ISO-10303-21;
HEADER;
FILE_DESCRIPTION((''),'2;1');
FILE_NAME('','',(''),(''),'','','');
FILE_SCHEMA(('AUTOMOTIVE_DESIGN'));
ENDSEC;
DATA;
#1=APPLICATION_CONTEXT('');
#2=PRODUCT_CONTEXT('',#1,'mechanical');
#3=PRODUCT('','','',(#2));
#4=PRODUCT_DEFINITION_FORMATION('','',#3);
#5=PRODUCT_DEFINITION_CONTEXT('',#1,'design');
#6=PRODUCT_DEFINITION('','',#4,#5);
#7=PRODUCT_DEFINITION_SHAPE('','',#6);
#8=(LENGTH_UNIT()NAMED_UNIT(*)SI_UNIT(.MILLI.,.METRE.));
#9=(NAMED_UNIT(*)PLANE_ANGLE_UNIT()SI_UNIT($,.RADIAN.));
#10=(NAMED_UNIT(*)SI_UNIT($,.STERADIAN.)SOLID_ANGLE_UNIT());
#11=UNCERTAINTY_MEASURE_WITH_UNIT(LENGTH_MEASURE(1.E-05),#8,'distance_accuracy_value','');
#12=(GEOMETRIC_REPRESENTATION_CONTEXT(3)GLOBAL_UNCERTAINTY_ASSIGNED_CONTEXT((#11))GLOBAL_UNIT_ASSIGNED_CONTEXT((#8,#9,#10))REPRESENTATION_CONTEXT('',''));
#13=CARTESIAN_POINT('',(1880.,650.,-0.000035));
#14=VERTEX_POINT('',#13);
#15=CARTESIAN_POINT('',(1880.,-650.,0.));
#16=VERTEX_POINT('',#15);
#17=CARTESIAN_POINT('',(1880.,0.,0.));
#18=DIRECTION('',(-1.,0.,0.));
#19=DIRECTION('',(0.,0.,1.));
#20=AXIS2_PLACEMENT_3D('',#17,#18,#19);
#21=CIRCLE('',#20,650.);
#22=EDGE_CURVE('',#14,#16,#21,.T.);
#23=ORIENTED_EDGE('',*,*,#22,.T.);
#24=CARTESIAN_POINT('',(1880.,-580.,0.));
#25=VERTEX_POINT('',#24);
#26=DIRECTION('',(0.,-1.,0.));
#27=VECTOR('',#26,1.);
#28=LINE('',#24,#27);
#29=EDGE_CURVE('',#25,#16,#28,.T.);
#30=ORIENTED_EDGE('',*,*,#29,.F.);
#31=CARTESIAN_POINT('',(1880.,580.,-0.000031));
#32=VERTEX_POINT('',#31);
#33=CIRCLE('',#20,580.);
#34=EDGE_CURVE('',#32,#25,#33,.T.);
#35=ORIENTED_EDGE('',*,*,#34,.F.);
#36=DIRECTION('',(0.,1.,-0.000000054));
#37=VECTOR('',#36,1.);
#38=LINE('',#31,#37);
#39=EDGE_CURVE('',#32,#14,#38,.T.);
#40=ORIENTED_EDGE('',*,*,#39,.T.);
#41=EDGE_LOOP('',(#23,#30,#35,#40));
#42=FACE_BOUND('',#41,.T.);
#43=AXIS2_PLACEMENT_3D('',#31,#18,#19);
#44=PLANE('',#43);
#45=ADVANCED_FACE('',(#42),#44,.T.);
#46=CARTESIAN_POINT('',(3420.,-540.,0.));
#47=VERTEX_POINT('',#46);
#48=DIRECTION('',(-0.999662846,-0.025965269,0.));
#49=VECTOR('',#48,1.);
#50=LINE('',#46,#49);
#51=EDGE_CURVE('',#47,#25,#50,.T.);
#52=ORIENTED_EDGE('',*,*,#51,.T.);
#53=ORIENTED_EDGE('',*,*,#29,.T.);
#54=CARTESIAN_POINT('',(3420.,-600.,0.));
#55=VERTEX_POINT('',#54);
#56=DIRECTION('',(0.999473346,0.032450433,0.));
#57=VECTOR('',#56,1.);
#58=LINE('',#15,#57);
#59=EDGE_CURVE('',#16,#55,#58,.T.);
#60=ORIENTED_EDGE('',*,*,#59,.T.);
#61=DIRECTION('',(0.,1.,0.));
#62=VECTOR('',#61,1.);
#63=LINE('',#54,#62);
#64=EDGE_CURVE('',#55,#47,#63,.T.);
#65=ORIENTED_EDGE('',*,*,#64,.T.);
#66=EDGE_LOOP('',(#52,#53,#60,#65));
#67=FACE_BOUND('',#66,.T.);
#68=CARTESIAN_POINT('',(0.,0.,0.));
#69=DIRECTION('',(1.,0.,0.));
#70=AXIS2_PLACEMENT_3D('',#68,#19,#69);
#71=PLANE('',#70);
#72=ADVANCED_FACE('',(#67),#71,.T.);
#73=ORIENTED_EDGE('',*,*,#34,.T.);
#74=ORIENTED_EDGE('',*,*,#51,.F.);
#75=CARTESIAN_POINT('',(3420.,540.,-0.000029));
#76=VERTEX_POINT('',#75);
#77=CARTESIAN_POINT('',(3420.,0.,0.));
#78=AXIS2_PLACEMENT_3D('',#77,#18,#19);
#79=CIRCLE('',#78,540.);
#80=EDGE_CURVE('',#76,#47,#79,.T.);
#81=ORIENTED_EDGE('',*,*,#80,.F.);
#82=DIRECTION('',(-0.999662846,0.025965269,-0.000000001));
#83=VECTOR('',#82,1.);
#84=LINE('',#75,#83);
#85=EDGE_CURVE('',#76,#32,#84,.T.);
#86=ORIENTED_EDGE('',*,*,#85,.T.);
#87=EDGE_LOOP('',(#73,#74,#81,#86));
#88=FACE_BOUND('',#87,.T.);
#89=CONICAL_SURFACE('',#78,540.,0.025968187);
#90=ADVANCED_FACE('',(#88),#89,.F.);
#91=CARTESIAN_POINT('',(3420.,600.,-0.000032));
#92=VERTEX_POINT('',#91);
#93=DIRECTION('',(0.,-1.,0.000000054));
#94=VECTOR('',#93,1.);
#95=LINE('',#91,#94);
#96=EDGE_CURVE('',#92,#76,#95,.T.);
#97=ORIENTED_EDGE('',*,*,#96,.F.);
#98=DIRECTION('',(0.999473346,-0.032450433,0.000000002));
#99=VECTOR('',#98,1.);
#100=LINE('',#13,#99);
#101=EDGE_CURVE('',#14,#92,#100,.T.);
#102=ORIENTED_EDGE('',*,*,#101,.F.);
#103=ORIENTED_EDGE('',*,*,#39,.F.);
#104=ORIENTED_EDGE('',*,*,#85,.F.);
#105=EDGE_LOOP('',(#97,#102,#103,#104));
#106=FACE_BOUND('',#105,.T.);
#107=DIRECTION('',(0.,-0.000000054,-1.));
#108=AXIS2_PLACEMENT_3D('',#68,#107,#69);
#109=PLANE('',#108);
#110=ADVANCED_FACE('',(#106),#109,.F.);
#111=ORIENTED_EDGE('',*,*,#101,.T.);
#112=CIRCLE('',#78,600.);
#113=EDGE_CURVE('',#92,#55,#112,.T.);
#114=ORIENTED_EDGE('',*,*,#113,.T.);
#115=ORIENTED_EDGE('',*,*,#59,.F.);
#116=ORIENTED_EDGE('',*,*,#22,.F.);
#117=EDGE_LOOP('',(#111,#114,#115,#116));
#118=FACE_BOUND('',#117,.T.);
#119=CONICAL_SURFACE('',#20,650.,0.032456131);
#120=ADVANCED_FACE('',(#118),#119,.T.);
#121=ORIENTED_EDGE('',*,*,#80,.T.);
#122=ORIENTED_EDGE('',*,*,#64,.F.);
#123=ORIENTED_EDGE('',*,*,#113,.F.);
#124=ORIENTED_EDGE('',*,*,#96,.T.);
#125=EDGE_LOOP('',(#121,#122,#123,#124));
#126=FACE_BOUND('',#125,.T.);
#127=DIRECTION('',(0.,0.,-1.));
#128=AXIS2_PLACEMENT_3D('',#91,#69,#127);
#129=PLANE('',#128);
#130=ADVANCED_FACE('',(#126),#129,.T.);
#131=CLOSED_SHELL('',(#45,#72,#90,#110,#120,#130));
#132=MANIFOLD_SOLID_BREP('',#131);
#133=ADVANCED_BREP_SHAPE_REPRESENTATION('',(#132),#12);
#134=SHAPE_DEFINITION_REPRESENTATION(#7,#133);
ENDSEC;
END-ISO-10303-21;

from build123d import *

# Parameters (mm, degrees)
REVOLVE1_ANGLE = 179.99999693


with BuildPart() as part:
    # Sketch1 → Revolve1 (revolve)
    with BuildSketch(Plane.XY):
        Polygon((1880, -580), (1880, -650), (3420, -600), (3420, -540), align=None)
    revolve(axis=Axis((0, 0, 0), (1, 0, 0)), revolution_arc=REVOLVE1_ANGLE)


solid = part.part
